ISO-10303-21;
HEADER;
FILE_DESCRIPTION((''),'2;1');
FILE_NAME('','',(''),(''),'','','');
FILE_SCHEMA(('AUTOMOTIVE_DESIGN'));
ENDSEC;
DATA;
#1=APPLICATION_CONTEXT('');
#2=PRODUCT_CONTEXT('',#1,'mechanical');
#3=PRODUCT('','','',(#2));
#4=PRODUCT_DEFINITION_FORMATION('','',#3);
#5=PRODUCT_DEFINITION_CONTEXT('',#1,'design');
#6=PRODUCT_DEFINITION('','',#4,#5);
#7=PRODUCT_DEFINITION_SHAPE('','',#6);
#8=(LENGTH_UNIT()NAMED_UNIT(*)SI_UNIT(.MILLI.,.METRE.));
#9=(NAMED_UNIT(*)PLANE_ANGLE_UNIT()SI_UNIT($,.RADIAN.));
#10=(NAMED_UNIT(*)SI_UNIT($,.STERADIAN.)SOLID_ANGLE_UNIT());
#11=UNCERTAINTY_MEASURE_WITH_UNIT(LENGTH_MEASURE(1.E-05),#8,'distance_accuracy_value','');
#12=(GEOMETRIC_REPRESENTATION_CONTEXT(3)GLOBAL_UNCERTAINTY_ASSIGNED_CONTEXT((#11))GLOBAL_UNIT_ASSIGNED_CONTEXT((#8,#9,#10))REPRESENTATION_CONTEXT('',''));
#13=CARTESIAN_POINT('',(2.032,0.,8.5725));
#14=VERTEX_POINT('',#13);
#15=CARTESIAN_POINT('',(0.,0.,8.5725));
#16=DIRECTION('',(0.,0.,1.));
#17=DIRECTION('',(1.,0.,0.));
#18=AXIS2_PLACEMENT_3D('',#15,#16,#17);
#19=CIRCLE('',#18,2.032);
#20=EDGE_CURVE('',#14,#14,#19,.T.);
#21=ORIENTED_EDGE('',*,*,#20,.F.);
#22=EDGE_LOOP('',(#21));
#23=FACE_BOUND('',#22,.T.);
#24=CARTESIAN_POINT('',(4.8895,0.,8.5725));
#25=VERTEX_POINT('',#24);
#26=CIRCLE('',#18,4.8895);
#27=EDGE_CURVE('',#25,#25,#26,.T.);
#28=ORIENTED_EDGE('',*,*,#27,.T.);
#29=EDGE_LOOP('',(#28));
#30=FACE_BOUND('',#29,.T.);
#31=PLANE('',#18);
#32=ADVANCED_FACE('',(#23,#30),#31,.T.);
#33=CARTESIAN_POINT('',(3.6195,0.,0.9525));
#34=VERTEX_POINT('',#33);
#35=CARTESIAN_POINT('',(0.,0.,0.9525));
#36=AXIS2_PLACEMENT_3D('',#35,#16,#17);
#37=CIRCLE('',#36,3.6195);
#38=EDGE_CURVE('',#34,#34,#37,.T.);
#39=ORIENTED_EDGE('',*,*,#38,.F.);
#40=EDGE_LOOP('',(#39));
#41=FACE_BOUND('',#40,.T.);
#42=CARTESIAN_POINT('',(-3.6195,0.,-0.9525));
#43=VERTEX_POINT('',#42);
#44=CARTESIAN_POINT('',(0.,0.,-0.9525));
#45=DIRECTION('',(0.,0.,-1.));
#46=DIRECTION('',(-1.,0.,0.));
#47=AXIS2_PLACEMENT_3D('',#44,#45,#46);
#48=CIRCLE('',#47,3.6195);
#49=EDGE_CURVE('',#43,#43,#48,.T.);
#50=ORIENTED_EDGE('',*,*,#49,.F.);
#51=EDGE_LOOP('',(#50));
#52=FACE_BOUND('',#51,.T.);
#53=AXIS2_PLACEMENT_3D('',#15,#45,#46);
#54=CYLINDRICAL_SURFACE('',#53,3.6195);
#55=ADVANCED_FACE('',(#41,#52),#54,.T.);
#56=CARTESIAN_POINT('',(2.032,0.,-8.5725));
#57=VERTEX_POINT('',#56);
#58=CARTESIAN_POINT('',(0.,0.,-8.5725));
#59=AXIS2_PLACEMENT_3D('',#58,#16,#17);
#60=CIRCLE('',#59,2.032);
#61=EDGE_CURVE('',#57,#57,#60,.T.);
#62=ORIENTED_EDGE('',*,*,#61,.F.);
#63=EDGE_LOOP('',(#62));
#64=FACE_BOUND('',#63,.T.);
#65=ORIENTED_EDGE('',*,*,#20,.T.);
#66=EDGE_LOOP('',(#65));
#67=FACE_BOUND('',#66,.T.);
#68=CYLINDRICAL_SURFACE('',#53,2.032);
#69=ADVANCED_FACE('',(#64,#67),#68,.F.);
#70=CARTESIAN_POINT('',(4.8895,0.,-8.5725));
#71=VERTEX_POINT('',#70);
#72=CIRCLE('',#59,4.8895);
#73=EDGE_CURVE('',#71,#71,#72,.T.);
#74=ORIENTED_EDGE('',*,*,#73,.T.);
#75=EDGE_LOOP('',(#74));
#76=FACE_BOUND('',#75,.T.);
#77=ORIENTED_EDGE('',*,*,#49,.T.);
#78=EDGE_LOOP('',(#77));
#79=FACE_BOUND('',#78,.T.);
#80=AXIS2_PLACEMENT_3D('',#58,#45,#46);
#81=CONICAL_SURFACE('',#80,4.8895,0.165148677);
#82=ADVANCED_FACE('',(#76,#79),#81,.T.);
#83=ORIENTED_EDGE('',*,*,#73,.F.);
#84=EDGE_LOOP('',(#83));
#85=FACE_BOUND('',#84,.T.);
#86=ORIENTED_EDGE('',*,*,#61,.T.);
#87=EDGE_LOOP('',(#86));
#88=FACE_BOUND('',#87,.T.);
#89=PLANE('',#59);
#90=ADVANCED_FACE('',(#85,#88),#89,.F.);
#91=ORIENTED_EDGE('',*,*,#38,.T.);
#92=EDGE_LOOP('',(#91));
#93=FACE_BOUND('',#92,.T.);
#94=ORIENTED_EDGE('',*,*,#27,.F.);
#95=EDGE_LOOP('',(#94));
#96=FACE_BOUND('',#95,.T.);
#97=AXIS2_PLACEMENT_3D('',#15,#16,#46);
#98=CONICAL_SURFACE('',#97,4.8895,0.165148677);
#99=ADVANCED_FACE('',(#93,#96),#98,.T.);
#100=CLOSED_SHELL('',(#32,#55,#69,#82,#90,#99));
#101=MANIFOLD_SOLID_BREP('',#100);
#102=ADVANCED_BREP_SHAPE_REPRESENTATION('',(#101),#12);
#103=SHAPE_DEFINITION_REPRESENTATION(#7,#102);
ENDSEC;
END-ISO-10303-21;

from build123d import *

# Parameters (mm, degrees)
ESQUISSE1_R        = 3.6195
ESQUISSE1_R_2      = 2.032
BOSS_EXTRU_1_DEPTH = 8.5725


with BuildPart() as part:
    # Esquisse1 → Boss.-Extru.1 (new, symmetric)
    with BuildSketch(Plane.XY):
        Circle(ESQUISSE1_R)
        Circle(ESQUISSE1_R_2, mode=Mode.SUBTRACT)
    extrude(amount=BOSS_EXTRU_1_DEPTH, both=True)

    # Esquisse4 → Révolution1 (revolve)
    with BuildSketch(Plane(origin=(0, 0, 0), x_dir=(0, 0, -1), z_dir=(1, 0, 0)), mode=Mode.PRIVATE) as r_volution1_sk:
        Polygon((0.9525, 3.6195), (8.5725, 4.8895), (8.5725, 3.6195), align=None)
    r_volution1 = revolve(r_volution1_sk.sketch.rotate(Axis((0, 0, 0), (0, 0, -1)), 270), axis=Axis((0, 0, 0), (0, 0, -1)))

    # Symétrie1: Révolution1 across plane
    add(r_volution1.mirror(Plane.XY))


solid = part.part
